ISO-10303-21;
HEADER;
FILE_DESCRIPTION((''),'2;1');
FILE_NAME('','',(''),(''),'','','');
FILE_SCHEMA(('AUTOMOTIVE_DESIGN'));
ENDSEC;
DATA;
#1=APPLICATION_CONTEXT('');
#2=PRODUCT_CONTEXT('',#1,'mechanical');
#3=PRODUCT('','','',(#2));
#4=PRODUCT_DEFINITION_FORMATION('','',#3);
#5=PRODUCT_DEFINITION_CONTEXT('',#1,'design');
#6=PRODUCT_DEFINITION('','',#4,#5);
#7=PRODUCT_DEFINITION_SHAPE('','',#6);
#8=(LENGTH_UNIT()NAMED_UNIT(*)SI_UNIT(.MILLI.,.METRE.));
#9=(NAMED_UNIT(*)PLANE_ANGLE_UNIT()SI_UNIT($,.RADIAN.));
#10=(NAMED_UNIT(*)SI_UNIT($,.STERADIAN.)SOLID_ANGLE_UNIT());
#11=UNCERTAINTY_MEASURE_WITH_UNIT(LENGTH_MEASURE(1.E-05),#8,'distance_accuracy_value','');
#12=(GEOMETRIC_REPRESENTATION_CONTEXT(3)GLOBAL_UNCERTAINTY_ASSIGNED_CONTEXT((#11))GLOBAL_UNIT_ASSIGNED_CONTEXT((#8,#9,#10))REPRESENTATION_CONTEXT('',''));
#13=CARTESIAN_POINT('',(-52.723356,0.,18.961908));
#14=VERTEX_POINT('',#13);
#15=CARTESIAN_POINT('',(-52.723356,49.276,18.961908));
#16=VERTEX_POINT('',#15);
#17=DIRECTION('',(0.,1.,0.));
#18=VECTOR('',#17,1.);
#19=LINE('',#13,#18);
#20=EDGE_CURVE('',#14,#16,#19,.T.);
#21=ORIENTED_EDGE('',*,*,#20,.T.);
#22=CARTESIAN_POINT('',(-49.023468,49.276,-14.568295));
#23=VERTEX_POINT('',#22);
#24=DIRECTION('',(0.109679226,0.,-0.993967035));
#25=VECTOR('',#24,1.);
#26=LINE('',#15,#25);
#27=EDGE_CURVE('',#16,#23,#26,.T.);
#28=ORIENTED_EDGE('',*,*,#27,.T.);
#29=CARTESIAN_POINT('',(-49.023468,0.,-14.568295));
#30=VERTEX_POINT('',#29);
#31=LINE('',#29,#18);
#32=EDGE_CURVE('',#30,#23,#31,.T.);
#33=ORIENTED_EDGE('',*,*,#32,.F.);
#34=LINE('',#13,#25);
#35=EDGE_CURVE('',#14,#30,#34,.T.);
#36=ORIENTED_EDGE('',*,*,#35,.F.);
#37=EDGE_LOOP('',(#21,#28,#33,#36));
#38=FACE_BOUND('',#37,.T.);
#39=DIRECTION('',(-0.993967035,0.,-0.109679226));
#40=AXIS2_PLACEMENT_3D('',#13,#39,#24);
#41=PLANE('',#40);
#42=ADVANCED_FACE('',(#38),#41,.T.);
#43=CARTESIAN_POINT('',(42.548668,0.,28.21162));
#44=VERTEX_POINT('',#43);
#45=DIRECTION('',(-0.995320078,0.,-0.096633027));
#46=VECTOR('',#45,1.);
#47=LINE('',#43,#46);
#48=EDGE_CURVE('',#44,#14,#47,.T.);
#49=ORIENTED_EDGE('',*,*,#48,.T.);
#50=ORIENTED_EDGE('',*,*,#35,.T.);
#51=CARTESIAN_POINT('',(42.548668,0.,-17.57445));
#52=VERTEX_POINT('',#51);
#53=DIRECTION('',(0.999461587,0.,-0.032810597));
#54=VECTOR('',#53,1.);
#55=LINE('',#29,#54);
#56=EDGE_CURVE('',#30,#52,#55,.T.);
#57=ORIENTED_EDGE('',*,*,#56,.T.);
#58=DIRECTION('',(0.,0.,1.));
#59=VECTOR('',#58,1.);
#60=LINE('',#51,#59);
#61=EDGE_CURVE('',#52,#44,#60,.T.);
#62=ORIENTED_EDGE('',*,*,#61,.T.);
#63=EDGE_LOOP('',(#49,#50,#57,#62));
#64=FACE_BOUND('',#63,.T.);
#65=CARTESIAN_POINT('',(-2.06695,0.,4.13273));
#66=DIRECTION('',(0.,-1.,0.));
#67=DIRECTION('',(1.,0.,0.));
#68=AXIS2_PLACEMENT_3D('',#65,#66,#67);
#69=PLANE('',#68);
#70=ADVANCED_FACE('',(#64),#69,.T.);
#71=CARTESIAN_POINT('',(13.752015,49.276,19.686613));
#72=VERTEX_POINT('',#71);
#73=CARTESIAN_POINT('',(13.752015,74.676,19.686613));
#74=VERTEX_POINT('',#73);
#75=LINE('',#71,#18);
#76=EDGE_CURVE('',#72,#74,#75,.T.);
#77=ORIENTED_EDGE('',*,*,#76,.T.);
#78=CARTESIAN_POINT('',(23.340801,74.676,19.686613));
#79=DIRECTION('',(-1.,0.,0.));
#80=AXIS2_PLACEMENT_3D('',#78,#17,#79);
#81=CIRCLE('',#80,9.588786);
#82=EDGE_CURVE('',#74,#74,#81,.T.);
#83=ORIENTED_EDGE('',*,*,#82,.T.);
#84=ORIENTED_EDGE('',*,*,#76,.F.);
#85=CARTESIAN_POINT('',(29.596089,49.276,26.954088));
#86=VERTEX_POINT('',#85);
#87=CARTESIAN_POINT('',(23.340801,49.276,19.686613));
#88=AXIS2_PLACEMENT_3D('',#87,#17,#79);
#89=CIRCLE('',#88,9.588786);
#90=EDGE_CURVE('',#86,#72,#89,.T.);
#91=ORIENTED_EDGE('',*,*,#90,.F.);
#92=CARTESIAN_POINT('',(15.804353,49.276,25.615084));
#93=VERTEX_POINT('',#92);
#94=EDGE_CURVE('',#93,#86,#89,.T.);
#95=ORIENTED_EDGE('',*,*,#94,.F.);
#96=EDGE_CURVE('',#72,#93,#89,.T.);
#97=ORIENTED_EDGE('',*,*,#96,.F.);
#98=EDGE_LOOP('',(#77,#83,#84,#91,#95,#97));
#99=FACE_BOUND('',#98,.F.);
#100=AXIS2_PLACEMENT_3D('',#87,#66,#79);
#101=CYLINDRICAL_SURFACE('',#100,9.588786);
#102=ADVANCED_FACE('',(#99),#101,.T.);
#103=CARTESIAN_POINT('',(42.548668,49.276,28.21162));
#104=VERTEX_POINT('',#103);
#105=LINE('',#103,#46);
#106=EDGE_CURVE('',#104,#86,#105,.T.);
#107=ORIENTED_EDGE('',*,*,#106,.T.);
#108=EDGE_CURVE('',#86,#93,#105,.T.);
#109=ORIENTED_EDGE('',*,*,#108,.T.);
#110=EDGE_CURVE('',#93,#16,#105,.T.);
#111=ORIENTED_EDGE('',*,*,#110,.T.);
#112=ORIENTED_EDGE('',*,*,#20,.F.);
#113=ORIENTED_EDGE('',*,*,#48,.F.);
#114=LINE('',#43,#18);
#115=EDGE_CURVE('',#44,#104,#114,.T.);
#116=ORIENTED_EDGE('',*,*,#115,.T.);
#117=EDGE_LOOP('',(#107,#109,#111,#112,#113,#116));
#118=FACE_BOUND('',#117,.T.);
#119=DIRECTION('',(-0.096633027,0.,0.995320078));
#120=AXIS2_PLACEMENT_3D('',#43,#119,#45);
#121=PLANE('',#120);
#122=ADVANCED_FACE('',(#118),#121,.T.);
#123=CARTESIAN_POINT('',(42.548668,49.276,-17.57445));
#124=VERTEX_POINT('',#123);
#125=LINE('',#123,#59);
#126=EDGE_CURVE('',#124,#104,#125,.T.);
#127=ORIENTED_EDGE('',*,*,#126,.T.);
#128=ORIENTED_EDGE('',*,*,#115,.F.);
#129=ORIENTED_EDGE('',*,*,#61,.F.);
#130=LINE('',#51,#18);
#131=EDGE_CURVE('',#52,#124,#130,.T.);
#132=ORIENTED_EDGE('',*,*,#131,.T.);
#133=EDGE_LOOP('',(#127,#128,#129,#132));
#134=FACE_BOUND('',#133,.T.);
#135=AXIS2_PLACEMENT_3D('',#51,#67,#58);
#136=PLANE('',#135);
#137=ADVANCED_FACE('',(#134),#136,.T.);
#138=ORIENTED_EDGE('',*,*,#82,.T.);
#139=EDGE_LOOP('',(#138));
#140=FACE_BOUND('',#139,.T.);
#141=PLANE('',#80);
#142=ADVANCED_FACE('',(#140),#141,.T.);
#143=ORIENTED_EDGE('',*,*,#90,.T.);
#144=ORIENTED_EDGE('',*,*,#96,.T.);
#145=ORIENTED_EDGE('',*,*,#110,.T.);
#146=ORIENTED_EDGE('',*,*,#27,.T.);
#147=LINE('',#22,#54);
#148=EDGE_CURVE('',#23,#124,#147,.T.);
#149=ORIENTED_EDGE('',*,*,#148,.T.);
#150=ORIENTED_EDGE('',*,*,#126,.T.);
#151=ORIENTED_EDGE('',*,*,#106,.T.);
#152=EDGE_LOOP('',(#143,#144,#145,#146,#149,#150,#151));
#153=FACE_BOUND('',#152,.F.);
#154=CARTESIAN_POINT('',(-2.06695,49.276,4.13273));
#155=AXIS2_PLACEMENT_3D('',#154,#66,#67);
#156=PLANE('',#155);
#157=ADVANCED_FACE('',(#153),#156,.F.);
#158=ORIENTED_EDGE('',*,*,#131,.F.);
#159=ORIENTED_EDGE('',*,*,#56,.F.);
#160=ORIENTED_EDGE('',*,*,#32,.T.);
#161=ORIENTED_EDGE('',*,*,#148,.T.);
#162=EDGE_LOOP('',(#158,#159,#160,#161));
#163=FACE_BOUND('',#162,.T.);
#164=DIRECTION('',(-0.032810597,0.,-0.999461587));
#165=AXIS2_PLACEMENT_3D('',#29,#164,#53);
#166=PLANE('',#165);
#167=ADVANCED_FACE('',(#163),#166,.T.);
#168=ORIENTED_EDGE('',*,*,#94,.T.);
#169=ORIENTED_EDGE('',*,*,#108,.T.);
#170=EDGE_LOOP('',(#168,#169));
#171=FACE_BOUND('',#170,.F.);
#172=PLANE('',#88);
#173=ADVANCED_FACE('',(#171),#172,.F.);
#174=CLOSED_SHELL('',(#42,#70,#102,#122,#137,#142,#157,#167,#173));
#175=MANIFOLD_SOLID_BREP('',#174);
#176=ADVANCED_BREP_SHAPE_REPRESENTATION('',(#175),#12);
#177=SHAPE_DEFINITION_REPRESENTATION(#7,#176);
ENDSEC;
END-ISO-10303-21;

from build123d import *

# Parameters (mm, degrees)
F1_DEPTH = 49.276
F2_R     = 9.588786
F3_DEPTH = 25.4


with BuildPart() as f1:
    # F0 (on Front) → F1 (new body)
    with BuildSketch(Plane.XZ):
        Polygon((42.548668, 28.21162), (-52.723356, 18.961908), (-49.023468, -14.568295), (42.548668, -17.57445), align=None)
    extrude(amount=-F1_DEPTH)

    # F2 (on face) → F3 (join)
    with BuildSketch(Plane(origin=(0, 49.276, 0), x_dir=(-1, 0, 0), z_dir=(0, 1, 0))):
        with Locations((-23.340801, 19.686613)):
            Circle(F2_R)
    extrude(amount=F3_DEPTH)


solid = f1.part
